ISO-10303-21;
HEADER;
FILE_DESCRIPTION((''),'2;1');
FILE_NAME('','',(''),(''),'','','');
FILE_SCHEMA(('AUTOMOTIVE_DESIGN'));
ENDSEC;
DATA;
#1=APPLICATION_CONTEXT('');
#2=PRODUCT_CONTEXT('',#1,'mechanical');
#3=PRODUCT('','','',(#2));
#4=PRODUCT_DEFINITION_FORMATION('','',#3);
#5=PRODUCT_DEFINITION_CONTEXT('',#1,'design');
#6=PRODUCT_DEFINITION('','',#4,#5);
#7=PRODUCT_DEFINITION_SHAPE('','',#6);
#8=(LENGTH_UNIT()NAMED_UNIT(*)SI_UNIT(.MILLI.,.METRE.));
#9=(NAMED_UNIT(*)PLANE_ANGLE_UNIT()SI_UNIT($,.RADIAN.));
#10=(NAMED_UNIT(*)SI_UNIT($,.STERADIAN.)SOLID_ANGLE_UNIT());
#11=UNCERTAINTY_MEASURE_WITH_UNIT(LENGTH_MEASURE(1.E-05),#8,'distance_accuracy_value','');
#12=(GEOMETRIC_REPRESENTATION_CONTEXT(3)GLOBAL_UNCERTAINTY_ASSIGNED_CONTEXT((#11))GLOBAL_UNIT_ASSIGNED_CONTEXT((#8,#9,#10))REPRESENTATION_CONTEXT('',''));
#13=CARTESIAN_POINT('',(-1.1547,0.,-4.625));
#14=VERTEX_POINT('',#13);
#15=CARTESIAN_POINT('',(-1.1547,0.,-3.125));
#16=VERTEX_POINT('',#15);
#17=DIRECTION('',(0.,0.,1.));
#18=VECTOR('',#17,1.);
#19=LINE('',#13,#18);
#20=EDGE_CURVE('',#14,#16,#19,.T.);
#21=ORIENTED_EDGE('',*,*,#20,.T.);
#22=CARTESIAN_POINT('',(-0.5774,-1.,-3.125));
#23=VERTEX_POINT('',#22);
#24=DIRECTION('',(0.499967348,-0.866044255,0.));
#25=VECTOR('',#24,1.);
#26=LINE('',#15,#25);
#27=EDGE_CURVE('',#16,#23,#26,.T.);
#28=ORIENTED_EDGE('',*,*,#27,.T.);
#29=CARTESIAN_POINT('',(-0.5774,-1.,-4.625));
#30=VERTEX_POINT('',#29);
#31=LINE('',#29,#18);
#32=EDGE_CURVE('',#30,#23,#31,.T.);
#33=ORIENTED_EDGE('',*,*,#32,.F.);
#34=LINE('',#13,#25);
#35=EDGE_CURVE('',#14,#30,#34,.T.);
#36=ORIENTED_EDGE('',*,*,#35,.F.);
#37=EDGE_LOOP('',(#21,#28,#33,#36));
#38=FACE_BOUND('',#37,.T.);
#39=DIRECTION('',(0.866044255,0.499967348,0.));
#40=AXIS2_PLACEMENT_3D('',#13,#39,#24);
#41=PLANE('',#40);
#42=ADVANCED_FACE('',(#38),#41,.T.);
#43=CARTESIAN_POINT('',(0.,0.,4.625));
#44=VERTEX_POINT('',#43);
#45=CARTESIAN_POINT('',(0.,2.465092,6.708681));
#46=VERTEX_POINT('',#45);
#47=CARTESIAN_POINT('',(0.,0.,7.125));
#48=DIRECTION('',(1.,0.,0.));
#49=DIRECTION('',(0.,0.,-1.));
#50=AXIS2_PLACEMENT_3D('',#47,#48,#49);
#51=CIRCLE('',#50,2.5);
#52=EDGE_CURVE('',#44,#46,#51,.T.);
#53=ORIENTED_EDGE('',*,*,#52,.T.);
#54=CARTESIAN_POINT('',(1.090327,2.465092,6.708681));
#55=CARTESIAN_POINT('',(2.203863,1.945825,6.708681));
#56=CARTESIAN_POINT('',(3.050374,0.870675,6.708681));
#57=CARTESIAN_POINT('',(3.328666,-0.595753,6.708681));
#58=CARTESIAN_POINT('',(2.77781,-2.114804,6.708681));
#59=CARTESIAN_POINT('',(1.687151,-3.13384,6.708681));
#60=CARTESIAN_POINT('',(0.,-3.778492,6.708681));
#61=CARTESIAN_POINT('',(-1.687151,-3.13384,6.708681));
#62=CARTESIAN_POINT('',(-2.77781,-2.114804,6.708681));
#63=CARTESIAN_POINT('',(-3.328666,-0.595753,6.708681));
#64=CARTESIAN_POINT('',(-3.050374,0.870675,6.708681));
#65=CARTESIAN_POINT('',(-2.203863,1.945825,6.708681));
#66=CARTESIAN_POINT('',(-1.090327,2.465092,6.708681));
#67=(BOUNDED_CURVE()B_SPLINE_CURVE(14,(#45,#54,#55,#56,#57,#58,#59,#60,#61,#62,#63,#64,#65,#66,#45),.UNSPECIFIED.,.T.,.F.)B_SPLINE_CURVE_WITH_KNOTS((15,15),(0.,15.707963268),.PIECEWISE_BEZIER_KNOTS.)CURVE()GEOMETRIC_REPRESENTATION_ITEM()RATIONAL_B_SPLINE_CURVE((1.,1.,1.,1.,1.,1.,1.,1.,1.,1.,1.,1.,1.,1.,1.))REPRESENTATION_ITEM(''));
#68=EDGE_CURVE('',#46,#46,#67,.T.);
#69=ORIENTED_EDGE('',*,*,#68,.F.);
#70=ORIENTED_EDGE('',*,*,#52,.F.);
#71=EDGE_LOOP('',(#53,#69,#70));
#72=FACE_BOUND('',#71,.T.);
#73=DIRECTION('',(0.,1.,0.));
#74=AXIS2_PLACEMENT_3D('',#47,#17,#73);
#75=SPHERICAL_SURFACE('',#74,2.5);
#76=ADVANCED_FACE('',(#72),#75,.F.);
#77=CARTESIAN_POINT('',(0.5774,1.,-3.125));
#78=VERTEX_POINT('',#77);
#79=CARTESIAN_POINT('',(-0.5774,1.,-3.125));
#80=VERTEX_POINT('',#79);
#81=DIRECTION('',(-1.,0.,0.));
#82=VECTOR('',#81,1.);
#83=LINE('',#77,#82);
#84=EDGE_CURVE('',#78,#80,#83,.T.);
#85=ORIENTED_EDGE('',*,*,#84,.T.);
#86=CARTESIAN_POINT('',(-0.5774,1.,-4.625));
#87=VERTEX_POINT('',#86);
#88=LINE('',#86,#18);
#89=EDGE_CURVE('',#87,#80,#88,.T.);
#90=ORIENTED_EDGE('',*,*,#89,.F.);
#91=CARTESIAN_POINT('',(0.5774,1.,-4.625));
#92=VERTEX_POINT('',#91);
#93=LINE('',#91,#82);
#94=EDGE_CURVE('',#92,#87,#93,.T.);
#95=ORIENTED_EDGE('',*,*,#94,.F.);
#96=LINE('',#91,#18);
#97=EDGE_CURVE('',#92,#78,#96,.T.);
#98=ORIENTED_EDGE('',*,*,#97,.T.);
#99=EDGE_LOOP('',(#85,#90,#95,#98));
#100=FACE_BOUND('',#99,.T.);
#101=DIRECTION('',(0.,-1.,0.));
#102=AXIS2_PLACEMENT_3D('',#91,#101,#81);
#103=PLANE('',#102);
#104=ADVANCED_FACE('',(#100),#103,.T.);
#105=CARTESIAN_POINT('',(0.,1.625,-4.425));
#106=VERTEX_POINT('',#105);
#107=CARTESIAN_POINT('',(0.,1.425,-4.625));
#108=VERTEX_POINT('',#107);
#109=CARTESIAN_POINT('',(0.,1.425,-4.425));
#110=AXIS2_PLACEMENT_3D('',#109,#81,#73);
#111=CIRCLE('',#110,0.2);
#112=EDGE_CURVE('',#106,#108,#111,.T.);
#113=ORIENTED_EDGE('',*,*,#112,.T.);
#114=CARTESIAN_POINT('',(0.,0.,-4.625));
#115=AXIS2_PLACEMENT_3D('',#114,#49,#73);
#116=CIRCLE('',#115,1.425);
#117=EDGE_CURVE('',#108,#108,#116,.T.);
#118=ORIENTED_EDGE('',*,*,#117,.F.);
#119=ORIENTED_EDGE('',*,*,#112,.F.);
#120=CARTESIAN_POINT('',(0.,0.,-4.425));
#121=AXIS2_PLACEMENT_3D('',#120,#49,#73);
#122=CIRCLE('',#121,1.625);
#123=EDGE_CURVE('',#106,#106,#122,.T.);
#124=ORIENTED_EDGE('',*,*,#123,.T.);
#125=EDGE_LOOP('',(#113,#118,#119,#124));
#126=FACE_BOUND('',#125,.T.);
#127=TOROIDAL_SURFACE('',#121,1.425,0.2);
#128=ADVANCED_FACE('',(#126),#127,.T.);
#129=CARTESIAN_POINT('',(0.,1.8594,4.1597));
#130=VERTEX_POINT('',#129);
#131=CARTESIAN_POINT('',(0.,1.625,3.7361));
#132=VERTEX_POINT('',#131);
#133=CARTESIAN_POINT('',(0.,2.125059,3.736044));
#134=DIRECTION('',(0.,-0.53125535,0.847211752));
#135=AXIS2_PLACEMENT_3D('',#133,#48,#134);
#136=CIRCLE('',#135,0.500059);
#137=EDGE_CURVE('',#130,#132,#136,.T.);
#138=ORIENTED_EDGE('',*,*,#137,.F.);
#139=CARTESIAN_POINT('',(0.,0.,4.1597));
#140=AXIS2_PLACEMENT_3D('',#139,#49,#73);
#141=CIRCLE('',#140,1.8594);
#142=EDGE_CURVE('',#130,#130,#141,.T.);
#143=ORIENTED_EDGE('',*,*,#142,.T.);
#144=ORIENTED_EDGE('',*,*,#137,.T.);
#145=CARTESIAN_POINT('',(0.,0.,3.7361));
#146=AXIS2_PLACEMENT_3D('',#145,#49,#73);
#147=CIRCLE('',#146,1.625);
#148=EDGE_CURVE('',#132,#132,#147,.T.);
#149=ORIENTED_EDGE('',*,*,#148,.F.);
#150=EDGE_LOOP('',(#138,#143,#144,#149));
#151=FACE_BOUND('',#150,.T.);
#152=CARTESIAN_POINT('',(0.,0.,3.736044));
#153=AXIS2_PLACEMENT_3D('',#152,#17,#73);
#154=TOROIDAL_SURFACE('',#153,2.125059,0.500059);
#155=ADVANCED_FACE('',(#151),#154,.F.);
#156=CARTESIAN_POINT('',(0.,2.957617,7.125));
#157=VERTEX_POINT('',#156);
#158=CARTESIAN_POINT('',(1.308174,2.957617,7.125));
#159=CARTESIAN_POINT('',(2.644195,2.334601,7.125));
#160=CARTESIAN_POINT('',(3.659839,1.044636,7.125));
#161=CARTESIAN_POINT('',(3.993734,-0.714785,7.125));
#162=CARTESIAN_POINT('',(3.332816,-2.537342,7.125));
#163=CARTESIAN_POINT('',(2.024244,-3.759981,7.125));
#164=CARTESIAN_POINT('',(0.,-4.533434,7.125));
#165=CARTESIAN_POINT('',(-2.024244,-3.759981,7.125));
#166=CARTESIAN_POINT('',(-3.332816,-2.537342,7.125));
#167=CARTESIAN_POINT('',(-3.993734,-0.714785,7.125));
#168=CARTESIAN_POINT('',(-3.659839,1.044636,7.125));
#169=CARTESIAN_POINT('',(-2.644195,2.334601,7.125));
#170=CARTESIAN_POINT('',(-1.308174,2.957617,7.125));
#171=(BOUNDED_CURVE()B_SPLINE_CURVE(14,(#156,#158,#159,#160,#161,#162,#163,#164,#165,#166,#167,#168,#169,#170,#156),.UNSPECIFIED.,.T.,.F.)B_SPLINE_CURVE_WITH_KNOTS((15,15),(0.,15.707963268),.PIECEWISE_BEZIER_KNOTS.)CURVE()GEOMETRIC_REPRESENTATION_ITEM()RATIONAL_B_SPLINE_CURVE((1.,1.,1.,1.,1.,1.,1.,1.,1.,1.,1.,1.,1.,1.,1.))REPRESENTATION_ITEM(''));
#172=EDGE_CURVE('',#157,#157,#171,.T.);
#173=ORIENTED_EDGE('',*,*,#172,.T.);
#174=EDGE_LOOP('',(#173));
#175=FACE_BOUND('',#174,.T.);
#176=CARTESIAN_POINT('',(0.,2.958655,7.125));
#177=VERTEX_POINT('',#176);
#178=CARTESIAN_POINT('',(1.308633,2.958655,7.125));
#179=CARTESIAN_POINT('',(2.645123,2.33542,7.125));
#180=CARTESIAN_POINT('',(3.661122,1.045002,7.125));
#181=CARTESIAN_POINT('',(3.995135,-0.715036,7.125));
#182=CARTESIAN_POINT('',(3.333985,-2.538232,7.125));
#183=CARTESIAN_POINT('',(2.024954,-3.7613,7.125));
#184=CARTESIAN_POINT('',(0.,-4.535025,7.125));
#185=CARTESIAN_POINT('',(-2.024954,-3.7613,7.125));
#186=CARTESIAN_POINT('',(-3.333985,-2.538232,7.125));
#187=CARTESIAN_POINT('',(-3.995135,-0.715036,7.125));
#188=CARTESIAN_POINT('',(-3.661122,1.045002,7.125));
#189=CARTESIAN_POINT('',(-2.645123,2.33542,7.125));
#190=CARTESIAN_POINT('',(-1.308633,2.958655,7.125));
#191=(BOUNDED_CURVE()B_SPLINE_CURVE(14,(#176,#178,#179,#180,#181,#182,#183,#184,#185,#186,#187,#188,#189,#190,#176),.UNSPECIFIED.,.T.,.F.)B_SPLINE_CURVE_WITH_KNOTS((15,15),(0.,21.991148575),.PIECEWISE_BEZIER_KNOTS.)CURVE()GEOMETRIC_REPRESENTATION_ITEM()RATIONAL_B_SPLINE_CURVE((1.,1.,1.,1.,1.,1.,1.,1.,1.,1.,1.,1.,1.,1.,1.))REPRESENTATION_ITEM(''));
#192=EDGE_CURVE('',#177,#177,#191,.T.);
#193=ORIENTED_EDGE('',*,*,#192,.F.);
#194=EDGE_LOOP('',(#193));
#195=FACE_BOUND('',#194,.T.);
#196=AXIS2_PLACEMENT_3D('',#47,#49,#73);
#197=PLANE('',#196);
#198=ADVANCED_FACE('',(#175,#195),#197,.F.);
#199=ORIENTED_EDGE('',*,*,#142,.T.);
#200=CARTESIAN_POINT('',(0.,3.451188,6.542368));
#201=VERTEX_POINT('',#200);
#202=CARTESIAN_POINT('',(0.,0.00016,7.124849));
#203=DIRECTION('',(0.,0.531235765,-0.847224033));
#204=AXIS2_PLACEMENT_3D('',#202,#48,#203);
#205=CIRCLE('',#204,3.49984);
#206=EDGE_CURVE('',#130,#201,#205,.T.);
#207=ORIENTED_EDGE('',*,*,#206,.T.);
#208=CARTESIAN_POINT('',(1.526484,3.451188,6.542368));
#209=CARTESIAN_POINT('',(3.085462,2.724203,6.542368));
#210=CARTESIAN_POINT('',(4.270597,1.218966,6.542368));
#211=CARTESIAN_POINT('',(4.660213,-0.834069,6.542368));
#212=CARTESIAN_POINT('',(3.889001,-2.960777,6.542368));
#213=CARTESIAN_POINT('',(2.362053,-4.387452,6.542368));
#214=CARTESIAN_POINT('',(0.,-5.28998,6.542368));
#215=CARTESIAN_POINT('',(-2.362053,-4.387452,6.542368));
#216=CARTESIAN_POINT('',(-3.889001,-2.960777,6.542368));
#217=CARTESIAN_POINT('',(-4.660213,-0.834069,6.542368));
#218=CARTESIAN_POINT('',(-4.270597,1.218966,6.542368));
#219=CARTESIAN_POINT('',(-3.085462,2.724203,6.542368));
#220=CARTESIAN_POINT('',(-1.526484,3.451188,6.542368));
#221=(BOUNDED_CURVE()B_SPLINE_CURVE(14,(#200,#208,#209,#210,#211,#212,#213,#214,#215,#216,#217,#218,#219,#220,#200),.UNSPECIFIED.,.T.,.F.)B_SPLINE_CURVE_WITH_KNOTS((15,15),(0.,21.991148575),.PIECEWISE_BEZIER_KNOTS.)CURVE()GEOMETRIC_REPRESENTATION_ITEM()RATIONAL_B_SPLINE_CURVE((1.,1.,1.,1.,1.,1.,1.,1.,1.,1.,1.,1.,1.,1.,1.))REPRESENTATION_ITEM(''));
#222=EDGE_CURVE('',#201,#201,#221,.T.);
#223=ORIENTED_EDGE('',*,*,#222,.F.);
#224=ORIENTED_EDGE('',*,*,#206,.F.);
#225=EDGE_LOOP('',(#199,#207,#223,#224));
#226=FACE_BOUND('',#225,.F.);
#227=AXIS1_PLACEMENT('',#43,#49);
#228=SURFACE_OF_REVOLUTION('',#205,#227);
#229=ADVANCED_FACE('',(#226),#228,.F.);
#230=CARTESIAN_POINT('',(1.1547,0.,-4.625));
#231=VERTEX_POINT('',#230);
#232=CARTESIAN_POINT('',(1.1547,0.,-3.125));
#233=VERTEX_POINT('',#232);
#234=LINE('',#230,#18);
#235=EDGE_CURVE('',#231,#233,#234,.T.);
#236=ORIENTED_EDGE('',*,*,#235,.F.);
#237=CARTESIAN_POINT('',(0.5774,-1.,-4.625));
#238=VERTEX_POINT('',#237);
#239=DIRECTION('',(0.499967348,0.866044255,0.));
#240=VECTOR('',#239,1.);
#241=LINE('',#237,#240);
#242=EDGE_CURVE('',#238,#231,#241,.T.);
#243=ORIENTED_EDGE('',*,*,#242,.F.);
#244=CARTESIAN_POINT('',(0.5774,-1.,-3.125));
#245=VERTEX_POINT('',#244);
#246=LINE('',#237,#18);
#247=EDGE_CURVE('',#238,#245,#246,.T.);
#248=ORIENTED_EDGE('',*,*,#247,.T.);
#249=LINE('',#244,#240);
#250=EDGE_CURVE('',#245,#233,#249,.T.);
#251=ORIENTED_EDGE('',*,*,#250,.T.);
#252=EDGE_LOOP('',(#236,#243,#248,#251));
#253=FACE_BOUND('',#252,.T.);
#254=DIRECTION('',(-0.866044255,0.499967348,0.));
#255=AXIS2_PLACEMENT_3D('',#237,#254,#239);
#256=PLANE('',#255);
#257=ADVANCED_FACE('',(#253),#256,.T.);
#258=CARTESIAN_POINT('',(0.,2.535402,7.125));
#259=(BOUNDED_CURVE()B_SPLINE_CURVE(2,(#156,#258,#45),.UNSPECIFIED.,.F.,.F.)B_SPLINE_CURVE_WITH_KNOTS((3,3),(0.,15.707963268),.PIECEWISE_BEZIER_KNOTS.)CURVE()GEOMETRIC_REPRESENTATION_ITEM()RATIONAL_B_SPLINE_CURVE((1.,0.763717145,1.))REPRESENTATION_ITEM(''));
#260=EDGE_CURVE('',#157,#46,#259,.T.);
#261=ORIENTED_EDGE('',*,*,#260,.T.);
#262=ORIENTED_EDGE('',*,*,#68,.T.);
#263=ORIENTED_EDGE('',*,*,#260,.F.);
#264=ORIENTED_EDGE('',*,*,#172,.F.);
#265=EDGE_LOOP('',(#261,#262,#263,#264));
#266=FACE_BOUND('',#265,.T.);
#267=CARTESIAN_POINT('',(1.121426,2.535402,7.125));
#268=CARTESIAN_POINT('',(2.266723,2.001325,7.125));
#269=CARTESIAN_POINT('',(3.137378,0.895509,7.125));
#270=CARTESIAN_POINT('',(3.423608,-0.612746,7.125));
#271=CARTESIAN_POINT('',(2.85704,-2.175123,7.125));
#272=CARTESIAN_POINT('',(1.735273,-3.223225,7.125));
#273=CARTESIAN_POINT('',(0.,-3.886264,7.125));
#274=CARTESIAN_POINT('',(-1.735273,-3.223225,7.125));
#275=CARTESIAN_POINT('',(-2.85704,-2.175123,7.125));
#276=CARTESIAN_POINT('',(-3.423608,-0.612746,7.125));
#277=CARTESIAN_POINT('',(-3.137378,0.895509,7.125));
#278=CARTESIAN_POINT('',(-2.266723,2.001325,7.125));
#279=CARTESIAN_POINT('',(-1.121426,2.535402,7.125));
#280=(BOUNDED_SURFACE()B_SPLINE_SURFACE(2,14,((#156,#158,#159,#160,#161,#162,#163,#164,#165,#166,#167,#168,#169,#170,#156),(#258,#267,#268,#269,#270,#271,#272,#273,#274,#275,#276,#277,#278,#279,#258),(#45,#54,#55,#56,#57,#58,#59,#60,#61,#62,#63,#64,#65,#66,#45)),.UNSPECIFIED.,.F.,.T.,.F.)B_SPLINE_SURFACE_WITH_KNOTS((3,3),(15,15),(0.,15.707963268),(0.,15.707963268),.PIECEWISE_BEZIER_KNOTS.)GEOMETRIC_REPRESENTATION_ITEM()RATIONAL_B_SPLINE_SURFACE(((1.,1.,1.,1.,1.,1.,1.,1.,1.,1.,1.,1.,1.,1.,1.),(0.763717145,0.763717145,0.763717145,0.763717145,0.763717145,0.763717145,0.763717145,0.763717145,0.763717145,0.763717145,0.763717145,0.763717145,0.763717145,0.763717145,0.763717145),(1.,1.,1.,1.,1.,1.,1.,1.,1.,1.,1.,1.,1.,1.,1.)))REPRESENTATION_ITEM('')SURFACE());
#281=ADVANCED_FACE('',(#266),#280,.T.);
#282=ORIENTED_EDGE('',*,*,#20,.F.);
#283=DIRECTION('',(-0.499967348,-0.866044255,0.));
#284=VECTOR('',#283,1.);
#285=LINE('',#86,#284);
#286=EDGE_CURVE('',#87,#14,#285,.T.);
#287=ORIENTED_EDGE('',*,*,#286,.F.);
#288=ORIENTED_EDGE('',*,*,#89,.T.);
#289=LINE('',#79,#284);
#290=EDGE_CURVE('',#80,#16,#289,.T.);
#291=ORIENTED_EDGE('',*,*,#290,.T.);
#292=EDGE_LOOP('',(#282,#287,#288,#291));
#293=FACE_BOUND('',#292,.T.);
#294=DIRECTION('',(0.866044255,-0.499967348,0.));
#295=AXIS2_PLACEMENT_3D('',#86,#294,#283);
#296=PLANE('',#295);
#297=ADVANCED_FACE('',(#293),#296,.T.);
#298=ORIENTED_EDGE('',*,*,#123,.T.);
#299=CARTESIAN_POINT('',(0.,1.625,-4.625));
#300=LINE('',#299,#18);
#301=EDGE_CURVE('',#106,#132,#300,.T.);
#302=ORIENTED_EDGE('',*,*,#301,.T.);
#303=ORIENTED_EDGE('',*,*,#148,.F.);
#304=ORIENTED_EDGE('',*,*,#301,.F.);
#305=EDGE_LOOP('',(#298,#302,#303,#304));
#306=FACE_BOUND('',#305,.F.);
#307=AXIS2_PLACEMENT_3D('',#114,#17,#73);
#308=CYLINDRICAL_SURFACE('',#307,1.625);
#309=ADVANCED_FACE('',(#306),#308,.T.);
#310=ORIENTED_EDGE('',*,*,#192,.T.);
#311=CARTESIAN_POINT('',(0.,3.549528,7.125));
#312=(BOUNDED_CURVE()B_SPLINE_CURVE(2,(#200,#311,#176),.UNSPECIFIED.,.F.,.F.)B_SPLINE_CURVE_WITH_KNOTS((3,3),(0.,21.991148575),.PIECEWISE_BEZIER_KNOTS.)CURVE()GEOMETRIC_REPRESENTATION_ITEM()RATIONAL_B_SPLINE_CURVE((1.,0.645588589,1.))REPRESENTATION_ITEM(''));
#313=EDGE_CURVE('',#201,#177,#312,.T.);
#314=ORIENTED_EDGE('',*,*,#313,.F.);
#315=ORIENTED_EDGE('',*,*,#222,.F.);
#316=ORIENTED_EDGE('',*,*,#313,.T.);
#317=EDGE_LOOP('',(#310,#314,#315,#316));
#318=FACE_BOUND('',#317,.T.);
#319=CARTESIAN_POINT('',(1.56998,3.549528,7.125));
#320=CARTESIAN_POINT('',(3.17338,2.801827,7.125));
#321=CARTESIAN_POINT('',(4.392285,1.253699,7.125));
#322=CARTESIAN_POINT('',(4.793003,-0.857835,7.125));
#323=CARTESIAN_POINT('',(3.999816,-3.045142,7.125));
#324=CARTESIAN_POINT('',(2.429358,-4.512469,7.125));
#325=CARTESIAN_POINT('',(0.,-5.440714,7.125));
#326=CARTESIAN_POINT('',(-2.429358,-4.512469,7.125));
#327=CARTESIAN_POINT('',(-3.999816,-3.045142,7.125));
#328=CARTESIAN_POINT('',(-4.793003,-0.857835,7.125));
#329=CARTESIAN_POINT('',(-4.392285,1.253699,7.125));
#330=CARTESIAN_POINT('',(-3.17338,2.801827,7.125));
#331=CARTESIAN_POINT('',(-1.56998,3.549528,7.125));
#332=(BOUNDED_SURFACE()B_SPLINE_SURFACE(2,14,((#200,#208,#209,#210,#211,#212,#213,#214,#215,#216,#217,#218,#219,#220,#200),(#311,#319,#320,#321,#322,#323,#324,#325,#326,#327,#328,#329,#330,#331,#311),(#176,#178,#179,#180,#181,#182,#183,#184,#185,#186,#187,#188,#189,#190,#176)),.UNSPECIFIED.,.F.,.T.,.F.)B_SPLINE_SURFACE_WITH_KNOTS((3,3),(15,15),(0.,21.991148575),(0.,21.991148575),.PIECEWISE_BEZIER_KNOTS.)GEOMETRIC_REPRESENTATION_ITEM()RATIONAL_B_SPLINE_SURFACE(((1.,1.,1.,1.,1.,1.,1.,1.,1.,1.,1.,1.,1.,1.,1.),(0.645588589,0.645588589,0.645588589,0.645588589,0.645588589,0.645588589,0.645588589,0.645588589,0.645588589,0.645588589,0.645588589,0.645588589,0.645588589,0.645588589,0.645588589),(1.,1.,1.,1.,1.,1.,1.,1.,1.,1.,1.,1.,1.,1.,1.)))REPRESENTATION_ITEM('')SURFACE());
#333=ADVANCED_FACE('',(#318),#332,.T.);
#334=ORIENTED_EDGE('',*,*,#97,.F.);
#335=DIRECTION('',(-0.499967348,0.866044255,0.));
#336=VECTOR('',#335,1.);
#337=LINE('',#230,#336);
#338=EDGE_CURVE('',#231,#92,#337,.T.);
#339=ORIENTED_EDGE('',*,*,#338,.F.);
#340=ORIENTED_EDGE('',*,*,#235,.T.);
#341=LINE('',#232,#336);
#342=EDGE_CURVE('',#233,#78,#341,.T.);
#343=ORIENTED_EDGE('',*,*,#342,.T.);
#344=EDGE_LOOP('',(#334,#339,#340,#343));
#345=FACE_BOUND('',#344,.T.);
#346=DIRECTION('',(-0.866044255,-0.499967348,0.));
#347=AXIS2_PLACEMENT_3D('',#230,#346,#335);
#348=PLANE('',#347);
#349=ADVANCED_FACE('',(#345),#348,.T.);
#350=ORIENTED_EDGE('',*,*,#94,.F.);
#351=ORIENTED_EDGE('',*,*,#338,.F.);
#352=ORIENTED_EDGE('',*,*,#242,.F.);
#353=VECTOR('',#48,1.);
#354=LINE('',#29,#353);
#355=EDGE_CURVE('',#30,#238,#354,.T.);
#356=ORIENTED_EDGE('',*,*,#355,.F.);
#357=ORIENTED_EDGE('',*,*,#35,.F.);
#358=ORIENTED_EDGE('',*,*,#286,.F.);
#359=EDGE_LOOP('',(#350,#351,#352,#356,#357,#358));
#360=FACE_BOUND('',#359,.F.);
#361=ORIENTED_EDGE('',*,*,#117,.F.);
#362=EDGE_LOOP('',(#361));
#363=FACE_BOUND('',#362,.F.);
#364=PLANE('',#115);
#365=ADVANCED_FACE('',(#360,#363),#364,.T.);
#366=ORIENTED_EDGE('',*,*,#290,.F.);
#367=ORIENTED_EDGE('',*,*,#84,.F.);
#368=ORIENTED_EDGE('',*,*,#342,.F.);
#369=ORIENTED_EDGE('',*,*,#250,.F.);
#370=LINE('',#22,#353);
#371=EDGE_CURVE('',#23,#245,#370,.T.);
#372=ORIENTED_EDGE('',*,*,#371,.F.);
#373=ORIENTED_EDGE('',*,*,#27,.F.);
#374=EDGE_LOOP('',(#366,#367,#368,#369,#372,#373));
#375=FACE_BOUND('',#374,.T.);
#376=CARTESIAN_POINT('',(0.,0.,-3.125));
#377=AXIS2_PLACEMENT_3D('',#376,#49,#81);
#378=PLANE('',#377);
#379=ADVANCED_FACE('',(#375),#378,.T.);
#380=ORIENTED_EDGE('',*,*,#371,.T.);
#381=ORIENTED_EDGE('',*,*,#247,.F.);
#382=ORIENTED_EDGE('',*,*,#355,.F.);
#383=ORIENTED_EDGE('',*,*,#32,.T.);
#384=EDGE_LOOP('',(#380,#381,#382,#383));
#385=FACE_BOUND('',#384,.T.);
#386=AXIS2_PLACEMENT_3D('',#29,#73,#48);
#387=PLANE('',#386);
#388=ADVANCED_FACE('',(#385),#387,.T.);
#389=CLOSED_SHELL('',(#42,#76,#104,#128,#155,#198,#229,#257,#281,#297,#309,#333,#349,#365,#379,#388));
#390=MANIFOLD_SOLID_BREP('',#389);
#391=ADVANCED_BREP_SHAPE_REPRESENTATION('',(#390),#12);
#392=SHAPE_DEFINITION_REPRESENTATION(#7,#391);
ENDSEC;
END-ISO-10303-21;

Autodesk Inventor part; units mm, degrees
ref_plane "YZ Plane" through (0, 0, 0) normal (1, 0, 0) x (0, 1, 0)
ref_plane "XZ Plane" through (0, 0, 0) normal (0, 1, 0) x (-1, 0, 0)
ref_plane "XY Plane" through (0, 0, 0) normal (0, 0, 1) x (1, 0, 0)
sketch "Sketch1" plane through (0, 0, 0) normal (1, 0, 0) x (0, 1, 0)
  line L0 (0, 4.625) -> (0, -4.625)
  line L1 (0, -4.625) -> (1.625, -4.625)
  line L2 (1.625, -4.625) -> (1.625, 3.7361)
  arc A0 (1.8594, 4.1597) -> (3.5, 7.125) centre (0, 7.125) ccw
  arc A1 (0, 4.625) -> (2.5, 7.125) centre (0, 7.125) ccw
  line L3 (2.5, 7.125) -> (3.5, 7.125)
  arc A2 (1.8594, 4.1597) -> (1.625, 3.7361) centre (2.125, 3.7361) ccw
  point P0 (0, 0)
  point P1 (1.625, 4.0251)
  dimension "d0" = 11.75
  dimension "d1" = 1.625
  dimension "d2" = 2.5
  dimension "d3" = 3.5
  dimension "d4" = 0.5
revolve "Revolution1" add sketch "Sketch1" angle 360 about axis through (0, 0, 4.625) along (0, 0, -1)
sketch "Sketch2" plane through (0, 0, -4.625) normal (0, 0, -1) x (-1, 0, 0)
  circle A0 centre (0, 0) radius 1.625 projected
  line L0 (0.5774, 1) -> (1.1547, 0)
  line L1 (1.1547, 0) -> (0.5774, -1)
  line L2 (0.5774, -1) -> (-0.5774, -1)
  line L3 (-0.5774, -1) -> (-1.1547, 0)
  line L4 (-1.1547, 0) -> (-0.5774, 1)
  line L5 (-0.5774, 1) -> (0.5774, 1)
  point P0 (0, 0)
  dimension "d6" = 2
extrude "Extrusion1" cut sketch "Sketch2" against normal blind 1.5 contours L0 L1 L2 L3 L4 L5
fillet "Fillet1" radius 0.2 1 edges at (0, -1.625, -4.625)
fillet "Fillet2" radius 0.5 2 edges at (0, -3.5, 7.125) (0, -2.5, 7.125)
thread "Thread2" size "M4x0.5" class "6g" standard "ANSI Metric M Profile" length 8.161
properties part number "Component 28 (Rocker Arm Linkage)"
